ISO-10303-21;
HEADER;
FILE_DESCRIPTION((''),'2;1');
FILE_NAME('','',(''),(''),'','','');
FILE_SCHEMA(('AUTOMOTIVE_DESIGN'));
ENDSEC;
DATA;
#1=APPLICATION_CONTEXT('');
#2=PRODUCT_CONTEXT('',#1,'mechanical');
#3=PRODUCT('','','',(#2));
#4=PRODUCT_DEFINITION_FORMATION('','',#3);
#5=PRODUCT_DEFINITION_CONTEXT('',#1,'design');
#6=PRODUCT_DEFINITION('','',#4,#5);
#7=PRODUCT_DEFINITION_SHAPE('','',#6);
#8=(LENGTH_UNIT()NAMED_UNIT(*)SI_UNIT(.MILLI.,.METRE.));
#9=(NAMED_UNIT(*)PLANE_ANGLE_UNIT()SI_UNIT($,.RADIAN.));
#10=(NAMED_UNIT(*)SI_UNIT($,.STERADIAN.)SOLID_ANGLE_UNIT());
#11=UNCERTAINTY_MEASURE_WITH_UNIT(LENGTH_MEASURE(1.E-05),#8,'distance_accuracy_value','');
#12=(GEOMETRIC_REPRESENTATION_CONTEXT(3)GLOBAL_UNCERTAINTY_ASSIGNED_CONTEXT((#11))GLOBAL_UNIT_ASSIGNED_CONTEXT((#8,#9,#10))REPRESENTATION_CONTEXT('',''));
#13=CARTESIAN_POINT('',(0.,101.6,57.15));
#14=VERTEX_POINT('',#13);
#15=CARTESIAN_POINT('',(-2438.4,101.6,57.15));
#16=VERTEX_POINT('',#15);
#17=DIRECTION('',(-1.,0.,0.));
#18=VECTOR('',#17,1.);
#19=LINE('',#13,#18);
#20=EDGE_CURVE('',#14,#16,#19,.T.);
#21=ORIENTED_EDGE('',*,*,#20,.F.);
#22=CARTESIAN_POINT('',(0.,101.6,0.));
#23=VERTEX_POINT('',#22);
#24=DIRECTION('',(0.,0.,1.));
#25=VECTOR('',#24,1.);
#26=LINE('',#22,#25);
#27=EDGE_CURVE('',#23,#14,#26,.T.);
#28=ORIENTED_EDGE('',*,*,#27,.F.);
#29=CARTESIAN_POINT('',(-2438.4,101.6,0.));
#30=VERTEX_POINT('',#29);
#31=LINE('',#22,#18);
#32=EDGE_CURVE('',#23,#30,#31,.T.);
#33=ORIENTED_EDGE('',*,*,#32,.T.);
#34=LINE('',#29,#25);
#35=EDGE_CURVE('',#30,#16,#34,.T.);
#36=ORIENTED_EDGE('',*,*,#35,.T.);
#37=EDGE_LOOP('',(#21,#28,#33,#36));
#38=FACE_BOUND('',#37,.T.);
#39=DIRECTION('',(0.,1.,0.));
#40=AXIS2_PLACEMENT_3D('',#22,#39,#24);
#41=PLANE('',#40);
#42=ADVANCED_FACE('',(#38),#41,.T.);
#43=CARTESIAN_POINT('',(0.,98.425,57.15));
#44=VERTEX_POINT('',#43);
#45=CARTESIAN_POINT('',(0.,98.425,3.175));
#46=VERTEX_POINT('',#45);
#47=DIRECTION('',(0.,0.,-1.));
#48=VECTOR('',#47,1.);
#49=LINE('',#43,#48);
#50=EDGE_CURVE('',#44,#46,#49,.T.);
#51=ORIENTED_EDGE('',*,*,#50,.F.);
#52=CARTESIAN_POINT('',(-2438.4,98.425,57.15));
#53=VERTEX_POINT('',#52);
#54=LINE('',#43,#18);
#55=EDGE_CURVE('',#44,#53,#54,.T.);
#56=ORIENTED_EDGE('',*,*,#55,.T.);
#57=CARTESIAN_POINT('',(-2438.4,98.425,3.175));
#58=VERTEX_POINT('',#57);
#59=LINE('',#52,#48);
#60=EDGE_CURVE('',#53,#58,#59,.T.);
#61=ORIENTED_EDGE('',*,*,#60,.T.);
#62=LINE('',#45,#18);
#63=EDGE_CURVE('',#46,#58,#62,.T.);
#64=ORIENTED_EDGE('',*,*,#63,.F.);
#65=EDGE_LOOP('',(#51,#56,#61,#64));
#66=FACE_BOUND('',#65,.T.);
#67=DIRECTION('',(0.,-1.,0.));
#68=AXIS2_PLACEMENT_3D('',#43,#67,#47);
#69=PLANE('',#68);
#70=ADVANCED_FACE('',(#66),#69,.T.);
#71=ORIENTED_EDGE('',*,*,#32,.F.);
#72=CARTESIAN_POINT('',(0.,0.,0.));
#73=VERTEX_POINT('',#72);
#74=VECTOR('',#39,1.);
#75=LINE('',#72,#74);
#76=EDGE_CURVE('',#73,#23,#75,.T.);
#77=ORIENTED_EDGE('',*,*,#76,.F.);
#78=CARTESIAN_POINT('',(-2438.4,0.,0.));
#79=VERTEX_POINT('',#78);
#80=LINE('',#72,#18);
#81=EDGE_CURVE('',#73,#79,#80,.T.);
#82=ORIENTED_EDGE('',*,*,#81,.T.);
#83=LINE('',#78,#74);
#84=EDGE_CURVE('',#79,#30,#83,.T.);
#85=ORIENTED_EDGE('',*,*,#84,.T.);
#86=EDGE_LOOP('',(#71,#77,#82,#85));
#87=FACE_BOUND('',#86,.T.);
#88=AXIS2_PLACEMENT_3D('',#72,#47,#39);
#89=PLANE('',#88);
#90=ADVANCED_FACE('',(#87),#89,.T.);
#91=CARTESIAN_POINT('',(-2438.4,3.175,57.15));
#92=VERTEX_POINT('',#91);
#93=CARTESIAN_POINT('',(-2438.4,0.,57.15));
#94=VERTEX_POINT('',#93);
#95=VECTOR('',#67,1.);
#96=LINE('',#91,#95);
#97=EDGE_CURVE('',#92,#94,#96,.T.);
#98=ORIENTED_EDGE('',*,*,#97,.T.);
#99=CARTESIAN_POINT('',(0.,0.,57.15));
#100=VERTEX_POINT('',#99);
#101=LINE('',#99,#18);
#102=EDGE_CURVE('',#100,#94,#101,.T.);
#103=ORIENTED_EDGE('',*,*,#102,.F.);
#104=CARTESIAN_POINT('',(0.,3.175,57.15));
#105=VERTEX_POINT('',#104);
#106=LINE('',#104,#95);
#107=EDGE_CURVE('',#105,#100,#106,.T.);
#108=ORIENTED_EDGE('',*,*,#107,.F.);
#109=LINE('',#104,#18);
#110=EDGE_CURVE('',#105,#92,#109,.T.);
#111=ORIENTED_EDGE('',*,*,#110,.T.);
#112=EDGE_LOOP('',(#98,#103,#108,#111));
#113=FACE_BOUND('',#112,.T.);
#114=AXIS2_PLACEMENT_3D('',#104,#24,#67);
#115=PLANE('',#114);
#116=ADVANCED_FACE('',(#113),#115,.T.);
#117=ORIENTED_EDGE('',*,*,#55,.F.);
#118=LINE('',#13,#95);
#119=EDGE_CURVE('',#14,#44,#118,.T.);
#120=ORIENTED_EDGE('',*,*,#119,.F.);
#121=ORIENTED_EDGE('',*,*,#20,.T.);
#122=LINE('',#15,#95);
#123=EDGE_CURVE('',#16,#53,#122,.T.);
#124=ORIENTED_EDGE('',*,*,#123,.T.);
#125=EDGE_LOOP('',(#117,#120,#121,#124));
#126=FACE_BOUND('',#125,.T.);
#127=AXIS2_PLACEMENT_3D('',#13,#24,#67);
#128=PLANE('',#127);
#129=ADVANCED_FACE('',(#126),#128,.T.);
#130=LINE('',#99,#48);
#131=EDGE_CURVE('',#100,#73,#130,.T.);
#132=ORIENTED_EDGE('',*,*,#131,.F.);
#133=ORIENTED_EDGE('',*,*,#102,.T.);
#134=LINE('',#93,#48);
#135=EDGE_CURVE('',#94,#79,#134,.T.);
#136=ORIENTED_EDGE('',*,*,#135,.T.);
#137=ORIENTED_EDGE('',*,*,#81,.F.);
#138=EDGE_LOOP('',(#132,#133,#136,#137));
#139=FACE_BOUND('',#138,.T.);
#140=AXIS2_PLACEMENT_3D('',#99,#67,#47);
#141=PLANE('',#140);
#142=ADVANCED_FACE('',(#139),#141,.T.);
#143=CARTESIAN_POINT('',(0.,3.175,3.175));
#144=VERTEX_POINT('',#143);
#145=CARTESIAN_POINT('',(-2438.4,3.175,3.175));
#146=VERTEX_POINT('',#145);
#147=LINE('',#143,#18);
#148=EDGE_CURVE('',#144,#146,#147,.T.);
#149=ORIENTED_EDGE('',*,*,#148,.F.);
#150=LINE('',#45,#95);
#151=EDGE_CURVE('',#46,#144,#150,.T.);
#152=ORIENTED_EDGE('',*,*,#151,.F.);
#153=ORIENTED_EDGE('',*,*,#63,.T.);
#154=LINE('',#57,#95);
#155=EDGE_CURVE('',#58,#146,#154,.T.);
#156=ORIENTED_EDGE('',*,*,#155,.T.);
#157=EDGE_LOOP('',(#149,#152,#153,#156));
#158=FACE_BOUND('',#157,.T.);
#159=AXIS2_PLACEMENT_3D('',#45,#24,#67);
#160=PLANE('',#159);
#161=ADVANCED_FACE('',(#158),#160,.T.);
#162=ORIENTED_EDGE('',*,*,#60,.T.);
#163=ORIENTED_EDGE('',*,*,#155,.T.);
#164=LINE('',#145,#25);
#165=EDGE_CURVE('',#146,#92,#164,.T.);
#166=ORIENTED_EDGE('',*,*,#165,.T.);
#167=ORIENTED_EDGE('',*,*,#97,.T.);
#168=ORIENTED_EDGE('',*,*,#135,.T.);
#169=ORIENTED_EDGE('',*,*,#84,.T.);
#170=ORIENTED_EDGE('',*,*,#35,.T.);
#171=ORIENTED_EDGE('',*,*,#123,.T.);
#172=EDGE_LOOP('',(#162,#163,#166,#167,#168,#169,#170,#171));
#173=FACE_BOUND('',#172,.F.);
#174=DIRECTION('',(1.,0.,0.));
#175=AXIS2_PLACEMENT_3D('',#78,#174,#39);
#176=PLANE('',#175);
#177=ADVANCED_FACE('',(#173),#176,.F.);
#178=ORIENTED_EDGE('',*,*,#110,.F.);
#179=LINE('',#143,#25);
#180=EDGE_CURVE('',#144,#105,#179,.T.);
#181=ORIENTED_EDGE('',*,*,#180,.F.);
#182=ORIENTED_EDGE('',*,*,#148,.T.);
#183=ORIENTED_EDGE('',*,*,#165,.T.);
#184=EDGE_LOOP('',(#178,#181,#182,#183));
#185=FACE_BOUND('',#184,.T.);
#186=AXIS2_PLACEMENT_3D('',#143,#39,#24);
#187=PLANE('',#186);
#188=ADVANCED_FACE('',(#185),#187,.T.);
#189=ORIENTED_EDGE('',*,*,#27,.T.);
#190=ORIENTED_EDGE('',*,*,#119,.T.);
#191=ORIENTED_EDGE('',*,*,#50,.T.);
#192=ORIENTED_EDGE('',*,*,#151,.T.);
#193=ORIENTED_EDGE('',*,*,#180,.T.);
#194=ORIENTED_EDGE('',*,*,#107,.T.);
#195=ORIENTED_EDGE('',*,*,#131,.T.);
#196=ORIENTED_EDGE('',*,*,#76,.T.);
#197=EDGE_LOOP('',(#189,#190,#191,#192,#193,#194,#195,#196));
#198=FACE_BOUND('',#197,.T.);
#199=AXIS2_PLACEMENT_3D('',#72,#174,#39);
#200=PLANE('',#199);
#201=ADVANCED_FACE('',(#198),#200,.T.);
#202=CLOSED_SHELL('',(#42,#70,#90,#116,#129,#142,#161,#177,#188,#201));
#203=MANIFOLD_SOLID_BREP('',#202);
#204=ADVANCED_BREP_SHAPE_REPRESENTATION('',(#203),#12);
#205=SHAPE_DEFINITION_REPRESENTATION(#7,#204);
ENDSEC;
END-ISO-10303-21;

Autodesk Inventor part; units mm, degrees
ref_plane "YZ Plane" through (0, 0, 0) normal (1, 0, 0) x (0, 1, 0)
ref_plane "XZ Plane" through (0, 0, 0) normal (0, 1, 0) x (-1, 0, 0)
ref_plane "XY Plane" through (0, 0, 0) normal (0, 0, 1) x (1, 0, 0)
sketch "Sketch1" plane through (0, 0, 0) normal (1, 0, 0) x (0, 1, 0)
  line L0 (0, 0) -> (101.6, 0)
  line L1 (101.6, 0) -> (101.6, 57.15)
  line L2 (0, 57.15) -> (0, 0)
  line L3 (98.425, 57.15) -> (98.425, 3.175)
  line L4 (98.425, 3.175) -> (3.175, 3.175)
  line L5 (3.175, 3.175) -> (3.175, 57.15)
  line L6 (101.6, 57.15) -> (98.425, 57.15)
  line L7 (3.175, 57.15) -> (0, 57.15)
  dimension "d0" = 101.6
  dimension "d1" = 57.15
  dimension "d2" = 3.175
extrude "Extrusion1" add sketch "Sketch1" against normal blind 2438.4
properties part number "channel2.25x4" material "Aluminum 6061"
